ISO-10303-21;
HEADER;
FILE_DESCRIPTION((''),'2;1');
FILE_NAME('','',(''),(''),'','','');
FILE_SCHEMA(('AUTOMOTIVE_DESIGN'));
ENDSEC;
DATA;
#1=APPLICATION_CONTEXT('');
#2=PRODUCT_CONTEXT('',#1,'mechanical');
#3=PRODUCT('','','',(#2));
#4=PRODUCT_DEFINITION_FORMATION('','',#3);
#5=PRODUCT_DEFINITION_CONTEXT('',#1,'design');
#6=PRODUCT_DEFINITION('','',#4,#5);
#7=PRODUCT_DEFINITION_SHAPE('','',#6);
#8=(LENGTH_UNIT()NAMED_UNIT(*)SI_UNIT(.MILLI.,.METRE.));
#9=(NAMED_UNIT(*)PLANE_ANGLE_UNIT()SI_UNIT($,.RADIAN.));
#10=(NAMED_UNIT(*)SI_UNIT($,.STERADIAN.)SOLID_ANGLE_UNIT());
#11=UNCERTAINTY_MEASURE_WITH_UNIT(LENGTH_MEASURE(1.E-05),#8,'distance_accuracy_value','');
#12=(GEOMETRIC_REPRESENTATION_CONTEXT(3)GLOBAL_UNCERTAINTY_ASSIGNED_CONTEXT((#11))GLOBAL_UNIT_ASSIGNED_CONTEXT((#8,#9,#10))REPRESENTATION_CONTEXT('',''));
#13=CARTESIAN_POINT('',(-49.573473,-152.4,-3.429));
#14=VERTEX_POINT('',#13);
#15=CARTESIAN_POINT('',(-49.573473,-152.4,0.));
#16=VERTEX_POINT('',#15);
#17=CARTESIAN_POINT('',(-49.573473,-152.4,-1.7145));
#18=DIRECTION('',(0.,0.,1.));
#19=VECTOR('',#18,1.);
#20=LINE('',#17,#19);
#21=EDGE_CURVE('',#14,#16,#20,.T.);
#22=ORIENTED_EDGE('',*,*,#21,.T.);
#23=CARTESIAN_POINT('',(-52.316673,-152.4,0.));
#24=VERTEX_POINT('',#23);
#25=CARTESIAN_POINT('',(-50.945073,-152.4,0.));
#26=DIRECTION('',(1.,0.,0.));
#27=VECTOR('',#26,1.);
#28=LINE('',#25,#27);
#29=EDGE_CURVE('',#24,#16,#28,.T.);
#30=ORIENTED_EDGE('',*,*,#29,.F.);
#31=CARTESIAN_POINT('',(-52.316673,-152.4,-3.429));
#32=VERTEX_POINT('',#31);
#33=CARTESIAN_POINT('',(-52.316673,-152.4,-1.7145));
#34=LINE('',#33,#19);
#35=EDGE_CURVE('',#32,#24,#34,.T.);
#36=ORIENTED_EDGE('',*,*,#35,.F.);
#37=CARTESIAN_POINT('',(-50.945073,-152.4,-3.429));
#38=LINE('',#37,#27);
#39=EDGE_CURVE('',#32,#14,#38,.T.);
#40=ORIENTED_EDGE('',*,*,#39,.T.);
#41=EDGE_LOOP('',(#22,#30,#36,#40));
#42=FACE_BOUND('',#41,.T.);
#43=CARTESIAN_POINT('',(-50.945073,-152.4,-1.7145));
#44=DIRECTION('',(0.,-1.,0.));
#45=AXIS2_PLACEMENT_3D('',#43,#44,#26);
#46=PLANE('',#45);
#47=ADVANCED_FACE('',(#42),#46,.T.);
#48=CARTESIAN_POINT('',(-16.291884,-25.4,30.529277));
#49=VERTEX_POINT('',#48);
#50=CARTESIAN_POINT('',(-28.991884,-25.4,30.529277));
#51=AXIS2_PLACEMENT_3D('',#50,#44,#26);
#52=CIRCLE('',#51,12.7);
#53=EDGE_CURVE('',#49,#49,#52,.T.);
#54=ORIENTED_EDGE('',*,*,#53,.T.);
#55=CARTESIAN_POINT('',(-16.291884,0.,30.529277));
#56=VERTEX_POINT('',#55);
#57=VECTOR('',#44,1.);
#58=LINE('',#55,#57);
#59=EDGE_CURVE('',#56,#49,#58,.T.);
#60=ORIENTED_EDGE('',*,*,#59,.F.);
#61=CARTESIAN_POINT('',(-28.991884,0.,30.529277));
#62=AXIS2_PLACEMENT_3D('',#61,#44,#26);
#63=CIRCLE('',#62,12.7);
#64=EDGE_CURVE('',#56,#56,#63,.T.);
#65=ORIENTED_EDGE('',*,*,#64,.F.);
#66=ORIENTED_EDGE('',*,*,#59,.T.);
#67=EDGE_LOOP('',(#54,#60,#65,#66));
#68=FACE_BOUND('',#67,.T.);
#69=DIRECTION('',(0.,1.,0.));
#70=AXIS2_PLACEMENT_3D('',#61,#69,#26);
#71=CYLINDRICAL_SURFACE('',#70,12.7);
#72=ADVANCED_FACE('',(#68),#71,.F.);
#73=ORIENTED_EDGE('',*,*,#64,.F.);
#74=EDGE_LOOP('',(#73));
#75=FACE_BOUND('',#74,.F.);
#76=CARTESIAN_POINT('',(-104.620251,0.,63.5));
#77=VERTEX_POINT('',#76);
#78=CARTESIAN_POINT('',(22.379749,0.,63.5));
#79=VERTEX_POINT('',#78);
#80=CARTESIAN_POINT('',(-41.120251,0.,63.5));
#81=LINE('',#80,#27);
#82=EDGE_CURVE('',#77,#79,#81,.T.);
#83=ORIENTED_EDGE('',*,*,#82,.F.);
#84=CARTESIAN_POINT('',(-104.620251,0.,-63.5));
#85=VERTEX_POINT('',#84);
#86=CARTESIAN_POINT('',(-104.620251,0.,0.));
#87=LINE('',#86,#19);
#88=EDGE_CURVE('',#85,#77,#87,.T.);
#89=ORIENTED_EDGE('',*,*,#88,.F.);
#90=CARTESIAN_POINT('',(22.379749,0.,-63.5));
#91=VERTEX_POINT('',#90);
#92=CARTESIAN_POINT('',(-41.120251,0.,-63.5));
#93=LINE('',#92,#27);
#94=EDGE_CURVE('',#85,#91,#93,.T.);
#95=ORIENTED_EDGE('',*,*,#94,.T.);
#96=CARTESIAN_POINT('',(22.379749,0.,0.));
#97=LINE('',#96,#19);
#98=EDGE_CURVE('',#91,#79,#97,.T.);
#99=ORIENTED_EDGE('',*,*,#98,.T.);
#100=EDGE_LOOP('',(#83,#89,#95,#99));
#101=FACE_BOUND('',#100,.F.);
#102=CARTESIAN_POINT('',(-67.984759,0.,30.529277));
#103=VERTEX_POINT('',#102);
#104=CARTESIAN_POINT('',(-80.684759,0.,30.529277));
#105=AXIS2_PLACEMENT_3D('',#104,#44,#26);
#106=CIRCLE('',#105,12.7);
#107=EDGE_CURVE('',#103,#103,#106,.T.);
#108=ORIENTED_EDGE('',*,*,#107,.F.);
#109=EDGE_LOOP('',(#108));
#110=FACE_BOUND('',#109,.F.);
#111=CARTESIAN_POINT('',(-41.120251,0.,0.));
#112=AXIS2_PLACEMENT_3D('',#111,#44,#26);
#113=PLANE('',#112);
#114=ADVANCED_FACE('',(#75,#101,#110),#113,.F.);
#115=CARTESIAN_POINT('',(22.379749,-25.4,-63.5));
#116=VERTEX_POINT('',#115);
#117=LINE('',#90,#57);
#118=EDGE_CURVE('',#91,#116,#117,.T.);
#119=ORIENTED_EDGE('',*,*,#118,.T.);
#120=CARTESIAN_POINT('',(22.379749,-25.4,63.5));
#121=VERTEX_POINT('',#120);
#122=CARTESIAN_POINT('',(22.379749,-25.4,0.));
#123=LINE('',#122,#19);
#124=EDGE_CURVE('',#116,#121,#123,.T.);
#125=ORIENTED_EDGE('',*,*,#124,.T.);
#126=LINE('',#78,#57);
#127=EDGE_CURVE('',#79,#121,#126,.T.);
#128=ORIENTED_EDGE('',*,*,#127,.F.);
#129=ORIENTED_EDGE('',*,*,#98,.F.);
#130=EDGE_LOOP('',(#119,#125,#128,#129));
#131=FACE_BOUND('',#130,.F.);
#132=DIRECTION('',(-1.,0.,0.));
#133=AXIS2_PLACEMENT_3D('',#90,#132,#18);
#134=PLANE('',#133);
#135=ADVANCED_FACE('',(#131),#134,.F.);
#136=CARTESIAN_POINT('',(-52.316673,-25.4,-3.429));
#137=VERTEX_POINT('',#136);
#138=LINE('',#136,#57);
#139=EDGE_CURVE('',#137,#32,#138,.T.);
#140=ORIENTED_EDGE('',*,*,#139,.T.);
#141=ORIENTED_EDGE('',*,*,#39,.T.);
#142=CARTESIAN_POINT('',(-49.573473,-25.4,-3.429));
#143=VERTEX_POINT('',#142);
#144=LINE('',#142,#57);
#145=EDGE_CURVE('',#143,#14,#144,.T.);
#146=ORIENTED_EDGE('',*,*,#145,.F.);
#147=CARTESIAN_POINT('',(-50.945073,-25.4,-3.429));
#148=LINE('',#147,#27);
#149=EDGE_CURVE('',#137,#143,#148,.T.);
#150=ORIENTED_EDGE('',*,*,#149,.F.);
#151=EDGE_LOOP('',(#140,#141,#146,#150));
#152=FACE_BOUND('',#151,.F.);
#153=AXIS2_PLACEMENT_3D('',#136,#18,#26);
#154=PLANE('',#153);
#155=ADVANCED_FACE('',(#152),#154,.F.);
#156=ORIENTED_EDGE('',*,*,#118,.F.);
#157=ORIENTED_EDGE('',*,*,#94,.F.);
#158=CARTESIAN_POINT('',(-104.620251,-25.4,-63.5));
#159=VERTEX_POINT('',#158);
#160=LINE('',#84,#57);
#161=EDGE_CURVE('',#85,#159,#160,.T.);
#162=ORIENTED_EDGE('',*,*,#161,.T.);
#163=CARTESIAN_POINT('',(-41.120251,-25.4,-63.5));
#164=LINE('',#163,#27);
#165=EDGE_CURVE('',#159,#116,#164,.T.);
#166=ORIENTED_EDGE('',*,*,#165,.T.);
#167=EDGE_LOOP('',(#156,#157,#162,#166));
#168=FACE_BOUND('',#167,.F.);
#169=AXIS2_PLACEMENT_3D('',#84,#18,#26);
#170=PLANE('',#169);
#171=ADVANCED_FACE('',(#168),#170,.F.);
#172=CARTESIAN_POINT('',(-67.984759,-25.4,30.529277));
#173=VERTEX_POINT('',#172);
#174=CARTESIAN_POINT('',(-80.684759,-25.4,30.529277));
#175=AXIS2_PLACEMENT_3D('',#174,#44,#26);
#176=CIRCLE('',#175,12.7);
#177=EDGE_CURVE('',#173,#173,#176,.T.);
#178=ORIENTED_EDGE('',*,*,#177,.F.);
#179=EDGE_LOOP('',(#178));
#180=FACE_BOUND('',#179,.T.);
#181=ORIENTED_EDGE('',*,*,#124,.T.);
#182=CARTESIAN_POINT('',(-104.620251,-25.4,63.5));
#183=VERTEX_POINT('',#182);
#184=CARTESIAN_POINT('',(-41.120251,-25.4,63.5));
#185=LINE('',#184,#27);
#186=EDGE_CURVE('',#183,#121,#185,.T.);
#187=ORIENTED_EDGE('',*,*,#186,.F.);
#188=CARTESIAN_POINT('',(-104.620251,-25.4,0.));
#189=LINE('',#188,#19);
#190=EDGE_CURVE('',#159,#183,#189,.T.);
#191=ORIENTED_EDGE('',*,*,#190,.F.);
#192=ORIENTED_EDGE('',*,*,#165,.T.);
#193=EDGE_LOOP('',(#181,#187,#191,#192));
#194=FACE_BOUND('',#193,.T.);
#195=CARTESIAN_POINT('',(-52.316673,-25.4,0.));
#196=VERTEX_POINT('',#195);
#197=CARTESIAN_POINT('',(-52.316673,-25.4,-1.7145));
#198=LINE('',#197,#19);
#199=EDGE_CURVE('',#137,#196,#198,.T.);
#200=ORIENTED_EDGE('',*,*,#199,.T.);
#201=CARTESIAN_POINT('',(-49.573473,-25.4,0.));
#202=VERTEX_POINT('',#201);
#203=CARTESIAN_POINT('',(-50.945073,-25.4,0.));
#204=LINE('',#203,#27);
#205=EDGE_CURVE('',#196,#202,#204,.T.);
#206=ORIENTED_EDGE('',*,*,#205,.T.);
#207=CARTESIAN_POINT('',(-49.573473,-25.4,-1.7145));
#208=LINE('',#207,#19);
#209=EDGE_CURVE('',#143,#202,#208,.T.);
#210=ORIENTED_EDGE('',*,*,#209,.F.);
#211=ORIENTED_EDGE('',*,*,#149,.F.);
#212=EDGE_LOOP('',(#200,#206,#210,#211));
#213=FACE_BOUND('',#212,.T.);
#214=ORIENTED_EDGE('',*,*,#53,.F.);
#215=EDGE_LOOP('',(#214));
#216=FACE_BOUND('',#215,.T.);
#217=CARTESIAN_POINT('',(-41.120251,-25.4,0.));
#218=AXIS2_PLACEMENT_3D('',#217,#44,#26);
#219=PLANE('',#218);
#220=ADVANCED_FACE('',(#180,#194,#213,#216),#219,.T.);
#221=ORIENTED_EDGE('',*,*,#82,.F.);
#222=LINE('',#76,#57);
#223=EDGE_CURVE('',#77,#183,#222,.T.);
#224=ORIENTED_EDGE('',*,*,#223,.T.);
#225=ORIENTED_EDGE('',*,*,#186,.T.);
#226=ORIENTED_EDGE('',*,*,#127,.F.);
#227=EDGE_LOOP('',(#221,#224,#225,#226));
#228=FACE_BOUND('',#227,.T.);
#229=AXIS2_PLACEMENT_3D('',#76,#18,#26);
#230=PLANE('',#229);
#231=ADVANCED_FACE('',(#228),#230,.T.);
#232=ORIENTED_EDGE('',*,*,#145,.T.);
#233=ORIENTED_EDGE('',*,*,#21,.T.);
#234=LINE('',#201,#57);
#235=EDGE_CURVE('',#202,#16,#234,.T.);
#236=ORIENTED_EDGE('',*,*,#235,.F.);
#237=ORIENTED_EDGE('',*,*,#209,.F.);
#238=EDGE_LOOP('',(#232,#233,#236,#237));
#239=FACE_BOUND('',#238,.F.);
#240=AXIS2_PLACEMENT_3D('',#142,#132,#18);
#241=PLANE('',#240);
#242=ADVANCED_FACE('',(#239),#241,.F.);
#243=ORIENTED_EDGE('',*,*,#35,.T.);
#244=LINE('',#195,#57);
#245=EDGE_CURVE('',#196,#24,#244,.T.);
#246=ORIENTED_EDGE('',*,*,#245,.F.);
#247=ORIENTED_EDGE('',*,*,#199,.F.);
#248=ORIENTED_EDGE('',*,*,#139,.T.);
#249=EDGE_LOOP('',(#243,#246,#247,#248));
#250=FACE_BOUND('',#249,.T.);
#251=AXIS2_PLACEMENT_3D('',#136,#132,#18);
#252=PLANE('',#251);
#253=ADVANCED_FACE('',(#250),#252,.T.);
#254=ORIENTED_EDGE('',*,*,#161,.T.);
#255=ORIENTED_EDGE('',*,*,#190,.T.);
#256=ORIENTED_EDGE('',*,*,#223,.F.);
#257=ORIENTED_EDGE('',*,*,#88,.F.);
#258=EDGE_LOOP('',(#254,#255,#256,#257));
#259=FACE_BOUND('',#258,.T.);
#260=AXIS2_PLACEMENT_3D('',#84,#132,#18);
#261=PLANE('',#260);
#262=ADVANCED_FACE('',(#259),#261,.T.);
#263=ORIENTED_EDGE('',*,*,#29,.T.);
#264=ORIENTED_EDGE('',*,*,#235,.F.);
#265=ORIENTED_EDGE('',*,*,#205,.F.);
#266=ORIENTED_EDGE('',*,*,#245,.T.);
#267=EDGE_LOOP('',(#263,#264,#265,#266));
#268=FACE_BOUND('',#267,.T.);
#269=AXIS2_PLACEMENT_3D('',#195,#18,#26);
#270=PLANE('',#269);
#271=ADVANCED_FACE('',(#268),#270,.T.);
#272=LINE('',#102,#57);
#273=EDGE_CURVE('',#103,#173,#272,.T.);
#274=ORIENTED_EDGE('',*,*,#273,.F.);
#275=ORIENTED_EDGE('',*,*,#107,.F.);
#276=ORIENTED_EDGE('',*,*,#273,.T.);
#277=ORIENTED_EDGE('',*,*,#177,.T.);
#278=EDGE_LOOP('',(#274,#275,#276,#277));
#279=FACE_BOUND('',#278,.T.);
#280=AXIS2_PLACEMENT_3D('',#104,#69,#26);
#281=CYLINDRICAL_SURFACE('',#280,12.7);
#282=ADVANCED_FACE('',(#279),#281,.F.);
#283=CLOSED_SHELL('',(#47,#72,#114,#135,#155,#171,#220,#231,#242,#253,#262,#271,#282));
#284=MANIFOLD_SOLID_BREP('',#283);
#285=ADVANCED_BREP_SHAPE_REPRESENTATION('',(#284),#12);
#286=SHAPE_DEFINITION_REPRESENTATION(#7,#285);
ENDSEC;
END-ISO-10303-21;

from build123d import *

# Parameters (mm, degrees)
F1_W     = 127
F1_H     = 127
F1_R     = 12.7
F2_DEPTH = 25.4
F3_W     = 2.7432
F3_H     = 3.429
F4_DEPTH = 127


with BuildPart() as f2:
    # F1 (on face) → F2 (new body)
    with BuildSketch(Plane.XZ):
        with Locations((-41.120251, 0)):
            Rectangle(F1_W, F1_H)
        with Locations((-80.684759, 30.529277)):
            Circle(F1_R, mode=Mode.SUBTRACT)
        with Locations((-28.991884, 30.529277)):
            Circle(F1_R, mode=Mode.SUBTRACT)
    extrude(amount=F2_DEPTH)

    # F3 (on face) → F4 (join)
    with BuildSketch(Plane.XZ.offset(25.4)):
        with Locations((-50.945073, -1.7145)):
            Rectangle(F3_W, F3_H)
    extrude(amount=F4_DEPTH)


solid = f2.part
